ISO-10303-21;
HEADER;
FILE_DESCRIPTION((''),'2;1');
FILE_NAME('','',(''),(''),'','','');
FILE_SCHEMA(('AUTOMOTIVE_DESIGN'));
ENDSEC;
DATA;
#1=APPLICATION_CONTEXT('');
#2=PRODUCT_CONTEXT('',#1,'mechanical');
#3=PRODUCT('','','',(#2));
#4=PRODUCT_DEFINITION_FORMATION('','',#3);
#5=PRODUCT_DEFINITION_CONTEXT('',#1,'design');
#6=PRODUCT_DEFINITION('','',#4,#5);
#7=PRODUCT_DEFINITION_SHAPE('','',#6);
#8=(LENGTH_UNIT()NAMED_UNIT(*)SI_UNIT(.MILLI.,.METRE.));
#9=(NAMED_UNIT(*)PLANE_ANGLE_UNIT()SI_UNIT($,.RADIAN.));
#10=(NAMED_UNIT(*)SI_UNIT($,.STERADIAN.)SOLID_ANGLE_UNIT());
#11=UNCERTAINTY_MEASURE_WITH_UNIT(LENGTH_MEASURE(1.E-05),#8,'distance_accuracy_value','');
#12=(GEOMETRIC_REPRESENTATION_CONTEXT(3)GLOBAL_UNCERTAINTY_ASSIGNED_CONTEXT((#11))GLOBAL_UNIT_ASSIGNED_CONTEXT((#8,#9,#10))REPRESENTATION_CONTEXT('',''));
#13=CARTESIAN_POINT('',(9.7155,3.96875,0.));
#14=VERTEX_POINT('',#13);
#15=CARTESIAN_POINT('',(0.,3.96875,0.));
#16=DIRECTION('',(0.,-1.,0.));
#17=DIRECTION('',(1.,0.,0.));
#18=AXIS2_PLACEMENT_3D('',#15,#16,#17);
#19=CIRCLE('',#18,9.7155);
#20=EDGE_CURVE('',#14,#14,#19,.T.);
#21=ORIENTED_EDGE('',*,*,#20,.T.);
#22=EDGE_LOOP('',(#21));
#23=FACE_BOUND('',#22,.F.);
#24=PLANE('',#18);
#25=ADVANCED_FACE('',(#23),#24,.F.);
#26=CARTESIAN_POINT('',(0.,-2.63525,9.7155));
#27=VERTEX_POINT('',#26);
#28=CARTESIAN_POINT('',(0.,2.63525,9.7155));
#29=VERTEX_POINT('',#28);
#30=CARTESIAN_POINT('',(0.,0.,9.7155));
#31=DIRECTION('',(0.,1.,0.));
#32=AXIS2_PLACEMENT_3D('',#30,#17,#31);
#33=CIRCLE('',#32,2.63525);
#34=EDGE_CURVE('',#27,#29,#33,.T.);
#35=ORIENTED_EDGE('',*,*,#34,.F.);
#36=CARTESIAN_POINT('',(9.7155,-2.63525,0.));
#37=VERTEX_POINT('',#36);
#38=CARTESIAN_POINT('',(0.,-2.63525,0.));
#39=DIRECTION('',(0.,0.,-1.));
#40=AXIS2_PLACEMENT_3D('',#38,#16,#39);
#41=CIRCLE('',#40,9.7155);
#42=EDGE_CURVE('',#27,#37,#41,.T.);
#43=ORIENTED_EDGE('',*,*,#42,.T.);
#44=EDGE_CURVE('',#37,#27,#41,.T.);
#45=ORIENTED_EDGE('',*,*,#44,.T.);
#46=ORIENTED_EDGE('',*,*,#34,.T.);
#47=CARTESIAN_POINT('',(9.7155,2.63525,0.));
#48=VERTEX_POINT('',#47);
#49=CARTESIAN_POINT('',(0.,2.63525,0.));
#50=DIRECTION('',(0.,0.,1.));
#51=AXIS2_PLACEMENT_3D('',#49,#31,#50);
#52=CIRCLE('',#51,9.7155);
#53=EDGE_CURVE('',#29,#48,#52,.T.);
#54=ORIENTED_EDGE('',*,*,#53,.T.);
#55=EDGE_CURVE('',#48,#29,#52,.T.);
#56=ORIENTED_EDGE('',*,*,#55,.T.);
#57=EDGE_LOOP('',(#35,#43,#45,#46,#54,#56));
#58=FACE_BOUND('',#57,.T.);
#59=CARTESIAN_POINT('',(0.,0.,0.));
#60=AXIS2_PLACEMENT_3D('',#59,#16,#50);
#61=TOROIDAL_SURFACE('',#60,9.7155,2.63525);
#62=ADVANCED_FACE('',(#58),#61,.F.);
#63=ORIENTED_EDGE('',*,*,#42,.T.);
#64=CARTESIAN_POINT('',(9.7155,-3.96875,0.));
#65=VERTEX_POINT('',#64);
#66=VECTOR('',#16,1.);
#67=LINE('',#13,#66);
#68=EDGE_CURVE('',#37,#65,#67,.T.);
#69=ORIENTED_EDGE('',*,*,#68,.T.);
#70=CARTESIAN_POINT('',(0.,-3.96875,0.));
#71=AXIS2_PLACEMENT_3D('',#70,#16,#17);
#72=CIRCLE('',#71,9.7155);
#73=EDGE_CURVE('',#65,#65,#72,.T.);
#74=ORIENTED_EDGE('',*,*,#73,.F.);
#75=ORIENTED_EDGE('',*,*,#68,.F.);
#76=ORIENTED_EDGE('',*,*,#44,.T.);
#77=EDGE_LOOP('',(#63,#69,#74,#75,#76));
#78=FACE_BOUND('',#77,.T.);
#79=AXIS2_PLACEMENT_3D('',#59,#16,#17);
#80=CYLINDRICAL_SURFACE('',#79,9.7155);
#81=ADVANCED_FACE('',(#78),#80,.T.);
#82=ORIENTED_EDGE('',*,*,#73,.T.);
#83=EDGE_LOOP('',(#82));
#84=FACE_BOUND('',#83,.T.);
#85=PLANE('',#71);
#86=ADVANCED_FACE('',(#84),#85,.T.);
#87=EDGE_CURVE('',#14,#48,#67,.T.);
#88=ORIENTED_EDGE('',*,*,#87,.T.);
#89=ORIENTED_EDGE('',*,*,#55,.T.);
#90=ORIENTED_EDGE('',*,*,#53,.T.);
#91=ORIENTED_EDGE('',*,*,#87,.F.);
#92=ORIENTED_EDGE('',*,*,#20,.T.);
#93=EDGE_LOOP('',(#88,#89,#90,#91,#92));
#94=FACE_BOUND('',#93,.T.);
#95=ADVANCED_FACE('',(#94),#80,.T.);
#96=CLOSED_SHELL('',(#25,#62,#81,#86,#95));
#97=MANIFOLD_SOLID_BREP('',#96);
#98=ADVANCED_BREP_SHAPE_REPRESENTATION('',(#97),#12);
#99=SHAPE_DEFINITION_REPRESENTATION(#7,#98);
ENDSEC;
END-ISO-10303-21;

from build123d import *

# Parameters (mm, degrees)
F0_R     = 9.7155
F1_DEPTH = 3.96875
F2_R     = 2.63525


with BuildPart() as f1:
    # F0 (on Front) → F1 (new body, symmetric)
    with BuildSketch(Plane.XZ):
        Circle(F0_R)
    extrude(amount=F1_DEPTH, both=True)

    # F2 (on Right) → F3 (revolve, cut)
    with BuildSketch(Plane.YZ):
        with Locations((0, 9.7155)):
            Circle(F2_R)
    revolve(axis=Axis((0, 0, 0), (0, 1, 0)), mode=Mode.SUBTRACT)


solid = f1.part
